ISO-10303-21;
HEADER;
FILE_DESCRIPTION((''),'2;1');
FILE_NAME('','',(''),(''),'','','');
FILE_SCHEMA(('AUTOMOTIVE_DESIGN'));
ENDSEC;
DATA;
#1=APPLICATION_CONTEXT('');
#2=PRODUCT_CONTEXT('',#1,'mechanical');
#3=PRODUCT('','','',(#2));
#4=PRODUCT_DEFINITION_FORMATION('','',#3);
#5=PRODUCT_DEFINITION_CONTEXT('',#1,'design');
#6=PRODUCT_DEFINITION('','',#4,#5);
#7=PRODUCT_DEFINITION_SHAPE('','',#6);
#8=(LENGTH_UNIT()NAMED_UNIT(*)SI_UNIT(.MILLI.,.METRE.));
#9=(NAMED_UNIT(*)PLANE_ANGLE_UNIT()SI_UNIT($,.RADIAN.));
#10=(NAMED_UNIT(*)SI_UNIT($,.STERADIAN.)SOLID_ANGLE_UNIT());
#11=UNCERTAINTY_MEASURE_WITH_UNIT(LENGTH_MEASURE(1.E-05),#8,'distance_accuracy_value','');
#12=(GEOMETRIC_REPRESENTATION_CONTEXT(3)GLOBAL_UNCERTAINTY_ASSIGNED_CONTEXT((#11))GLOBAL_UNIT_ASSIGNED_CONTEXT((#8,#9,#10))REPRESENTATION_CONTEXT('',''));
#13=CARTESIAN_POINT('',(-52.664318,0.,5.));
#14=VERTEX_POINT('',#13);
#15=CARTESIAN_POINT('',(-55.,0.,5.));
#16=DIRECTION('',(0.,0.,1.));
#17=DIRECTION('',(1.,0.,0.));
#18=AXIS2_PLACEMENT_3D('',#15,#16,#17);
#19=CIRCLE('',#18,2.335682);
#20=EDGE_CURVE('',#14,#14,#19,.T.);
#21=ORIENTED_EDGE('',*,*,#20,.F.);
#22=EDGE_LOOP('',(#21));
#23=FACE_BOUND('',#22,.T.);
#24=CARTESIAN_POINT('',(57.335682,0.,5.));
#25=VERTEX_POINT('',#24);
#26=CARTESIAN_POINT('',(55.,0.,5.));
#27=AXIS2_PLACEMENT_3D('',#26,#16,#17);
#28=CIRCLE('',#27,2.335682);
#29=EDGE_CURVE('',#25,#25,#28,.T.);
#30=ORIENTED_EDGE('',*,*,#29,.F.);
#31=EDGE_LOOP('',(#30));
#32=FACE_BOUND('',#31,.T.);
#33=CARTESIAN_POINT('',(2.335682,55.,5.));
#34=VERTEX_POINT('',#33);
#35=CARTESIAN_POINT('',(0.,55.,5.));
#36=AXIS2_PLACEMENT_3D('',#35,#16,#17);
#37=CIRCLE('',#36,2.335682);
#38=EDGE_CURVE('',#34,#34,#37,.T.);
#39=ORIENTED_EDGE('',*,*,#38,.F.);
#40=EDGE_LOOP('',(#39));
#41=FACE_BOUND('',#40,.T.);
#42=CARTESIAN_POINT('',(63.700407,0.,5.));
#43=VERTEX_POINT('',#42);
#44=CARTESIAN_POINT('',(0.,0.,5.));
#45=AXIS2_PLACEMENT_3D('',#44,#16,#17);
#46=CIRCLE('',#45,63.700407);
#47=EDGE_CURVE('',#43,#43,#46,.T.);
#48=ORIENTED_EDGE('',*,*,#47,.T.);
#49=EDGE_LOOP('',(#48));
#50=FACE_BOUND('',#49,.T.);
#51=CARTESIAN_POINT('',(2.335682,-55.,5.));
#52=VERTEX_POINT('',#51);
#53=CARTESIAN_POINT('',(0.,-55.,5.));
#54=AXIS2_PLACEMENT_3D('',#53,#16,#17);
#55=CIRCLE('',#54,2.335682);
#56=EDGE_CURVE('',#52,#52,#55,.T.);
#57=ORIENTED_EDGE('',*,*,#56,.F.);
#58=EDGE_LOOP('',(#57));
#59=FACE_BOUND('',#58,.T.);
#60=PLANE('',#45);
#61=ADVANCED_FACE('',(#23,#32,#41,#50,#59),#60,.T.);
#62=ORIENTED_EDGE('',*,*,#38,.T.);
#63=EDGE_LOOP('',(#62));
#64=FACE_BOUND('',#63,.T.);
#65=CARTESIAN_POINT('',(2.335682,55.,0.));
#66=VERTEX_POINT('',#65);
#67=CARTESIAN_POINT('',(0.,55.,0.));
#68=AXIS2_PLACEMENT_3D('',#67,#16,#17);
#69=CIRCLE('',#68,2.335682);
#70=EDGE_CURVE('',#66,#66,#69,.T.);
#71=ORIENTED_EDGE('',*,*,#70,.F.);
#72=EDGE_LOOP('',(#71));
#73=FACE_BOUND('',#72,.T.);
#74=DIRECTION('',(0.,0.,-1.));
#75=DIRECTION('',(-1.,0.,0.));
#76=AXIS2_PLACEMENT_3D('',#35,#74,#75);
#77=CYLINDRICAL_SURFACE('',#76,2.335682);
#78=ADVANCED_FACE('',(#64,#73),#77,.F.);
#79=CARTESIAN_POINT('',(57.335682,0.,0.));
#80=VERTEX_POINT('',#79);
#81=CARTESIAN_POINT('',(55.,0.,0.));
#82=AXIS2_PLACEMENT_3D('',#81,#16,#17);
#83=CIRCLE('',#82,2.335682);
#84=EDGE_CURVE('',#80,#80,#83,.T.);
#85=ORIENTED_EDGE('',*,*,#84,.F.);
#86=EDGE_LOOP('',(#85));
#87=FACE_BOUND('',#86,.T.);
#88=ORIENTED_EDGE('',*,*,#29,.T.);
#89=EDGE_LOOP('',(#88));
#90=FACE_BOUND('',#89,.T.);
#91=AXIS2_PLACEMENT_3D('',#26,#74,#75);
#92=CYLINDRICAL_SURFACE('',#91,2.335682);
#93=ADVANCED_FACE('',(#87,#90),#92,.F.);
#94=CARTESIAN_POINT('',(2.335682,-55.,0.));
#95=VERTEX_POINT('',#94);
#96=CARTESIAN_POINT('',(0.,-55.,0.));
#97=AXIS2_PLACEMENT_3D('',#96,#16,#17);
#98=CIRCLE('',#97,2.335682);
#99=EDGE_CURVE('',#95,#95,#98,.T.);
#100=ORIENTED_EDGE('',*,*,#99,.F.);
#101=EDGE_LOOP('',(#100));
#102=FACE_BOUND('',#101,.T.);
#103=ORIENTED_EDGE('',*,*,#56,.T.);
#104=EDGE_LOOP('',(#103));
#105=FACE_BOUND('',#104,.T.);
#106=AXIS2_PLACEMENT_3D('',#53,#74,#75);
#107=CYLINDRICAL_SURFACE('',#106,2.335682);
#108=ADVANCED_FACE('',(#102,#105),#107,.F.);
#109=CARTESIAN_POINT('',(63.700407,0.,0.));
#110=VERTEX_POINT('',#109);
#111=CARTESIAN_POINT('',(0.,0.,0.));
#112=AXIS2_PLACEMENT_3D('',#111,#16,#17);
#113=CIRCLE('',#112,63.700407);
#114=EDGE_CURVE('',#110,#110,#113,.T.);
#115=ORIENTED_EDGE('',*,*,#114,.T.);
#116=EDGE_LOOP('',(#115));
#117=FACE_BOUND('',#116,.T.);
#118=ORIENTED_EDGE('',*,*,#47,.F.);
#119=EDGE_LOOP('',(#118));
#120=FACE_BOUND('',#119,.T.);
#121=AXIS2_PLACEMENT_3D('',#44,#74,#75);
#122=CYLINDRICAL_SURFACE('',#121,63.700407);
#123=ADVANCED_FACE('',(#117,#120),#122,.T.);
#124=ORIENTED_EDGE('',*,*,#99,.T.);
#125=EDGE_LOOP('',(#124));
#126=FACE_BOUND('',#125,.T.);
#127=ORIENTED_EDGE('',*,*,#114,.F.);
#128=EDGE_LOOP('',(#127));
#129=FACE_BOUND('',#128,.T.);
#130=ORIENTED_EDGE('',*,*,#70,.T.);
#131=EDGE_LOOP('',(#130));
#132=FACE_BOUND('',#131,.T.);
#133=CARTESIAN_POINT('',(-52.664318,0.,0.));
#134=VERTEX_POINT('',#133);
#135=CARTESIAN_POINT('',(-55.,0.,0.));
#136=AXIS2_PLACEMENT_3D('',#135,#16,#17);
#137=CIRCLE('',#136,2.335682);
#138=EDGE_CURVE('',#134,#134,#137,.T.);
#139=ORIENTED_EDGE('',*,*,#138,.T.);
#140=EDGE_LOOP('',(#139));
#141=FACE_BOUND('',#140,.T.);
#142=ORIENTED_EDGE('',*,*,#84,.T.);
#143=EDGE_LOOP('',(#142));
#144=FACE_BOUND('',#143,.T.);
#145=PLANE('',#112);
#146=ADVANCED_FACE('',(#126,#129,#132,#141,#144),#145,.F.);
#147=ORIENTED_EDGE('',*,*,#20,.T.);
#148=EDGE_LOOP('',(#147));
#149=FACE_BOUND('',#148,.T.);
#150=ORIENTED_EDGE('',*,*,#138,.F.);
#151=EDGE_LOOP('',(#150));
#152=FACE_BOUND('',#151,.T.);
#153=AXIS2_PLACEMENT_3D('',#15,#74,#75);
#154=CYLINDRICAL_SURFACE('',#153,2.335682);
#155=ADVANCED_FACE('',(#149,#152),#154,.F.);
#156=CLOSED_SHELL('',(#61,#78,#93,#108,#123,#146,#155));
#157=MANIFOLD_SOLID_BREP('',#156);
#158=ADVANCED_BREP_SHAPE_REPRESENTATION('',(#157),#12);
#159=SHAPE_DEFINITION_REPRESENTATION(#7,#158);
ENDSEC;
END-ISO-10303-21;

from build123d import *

# Parameters (mm, degrees)
SKETCH1_R           = 63.70040654
SKETCH1_R_2         = 2.335681573
BOSS_EXTRUDE1_DEPTH = 5


with BuildPart() as part:
    # Sketch1 → Boss-Extrude1 (new body)
    with BuildSketch(Plane.XY):
        Circle(SKETCH1_R)
        with Locations((0, 55)):
            Circle(SKETCH1_R_2, mode=Mode.SUBTRACT)
        with Locations((55, 0)):
            Circle(SKETCH1_R_2, mode=Mode.SUBTRACT)
        with Locations((0, -55)):
            Circle(SKETCH1_R_2, mode=Mode.SUBTRACT)
        with Locations((-55, 0)):
            Circle(SKETCH1_R_2, mode=Mode.SUBTRACT)
    extrude(amount=BOSS_EXTRUDE1_DEPTH)


solid = part.part
